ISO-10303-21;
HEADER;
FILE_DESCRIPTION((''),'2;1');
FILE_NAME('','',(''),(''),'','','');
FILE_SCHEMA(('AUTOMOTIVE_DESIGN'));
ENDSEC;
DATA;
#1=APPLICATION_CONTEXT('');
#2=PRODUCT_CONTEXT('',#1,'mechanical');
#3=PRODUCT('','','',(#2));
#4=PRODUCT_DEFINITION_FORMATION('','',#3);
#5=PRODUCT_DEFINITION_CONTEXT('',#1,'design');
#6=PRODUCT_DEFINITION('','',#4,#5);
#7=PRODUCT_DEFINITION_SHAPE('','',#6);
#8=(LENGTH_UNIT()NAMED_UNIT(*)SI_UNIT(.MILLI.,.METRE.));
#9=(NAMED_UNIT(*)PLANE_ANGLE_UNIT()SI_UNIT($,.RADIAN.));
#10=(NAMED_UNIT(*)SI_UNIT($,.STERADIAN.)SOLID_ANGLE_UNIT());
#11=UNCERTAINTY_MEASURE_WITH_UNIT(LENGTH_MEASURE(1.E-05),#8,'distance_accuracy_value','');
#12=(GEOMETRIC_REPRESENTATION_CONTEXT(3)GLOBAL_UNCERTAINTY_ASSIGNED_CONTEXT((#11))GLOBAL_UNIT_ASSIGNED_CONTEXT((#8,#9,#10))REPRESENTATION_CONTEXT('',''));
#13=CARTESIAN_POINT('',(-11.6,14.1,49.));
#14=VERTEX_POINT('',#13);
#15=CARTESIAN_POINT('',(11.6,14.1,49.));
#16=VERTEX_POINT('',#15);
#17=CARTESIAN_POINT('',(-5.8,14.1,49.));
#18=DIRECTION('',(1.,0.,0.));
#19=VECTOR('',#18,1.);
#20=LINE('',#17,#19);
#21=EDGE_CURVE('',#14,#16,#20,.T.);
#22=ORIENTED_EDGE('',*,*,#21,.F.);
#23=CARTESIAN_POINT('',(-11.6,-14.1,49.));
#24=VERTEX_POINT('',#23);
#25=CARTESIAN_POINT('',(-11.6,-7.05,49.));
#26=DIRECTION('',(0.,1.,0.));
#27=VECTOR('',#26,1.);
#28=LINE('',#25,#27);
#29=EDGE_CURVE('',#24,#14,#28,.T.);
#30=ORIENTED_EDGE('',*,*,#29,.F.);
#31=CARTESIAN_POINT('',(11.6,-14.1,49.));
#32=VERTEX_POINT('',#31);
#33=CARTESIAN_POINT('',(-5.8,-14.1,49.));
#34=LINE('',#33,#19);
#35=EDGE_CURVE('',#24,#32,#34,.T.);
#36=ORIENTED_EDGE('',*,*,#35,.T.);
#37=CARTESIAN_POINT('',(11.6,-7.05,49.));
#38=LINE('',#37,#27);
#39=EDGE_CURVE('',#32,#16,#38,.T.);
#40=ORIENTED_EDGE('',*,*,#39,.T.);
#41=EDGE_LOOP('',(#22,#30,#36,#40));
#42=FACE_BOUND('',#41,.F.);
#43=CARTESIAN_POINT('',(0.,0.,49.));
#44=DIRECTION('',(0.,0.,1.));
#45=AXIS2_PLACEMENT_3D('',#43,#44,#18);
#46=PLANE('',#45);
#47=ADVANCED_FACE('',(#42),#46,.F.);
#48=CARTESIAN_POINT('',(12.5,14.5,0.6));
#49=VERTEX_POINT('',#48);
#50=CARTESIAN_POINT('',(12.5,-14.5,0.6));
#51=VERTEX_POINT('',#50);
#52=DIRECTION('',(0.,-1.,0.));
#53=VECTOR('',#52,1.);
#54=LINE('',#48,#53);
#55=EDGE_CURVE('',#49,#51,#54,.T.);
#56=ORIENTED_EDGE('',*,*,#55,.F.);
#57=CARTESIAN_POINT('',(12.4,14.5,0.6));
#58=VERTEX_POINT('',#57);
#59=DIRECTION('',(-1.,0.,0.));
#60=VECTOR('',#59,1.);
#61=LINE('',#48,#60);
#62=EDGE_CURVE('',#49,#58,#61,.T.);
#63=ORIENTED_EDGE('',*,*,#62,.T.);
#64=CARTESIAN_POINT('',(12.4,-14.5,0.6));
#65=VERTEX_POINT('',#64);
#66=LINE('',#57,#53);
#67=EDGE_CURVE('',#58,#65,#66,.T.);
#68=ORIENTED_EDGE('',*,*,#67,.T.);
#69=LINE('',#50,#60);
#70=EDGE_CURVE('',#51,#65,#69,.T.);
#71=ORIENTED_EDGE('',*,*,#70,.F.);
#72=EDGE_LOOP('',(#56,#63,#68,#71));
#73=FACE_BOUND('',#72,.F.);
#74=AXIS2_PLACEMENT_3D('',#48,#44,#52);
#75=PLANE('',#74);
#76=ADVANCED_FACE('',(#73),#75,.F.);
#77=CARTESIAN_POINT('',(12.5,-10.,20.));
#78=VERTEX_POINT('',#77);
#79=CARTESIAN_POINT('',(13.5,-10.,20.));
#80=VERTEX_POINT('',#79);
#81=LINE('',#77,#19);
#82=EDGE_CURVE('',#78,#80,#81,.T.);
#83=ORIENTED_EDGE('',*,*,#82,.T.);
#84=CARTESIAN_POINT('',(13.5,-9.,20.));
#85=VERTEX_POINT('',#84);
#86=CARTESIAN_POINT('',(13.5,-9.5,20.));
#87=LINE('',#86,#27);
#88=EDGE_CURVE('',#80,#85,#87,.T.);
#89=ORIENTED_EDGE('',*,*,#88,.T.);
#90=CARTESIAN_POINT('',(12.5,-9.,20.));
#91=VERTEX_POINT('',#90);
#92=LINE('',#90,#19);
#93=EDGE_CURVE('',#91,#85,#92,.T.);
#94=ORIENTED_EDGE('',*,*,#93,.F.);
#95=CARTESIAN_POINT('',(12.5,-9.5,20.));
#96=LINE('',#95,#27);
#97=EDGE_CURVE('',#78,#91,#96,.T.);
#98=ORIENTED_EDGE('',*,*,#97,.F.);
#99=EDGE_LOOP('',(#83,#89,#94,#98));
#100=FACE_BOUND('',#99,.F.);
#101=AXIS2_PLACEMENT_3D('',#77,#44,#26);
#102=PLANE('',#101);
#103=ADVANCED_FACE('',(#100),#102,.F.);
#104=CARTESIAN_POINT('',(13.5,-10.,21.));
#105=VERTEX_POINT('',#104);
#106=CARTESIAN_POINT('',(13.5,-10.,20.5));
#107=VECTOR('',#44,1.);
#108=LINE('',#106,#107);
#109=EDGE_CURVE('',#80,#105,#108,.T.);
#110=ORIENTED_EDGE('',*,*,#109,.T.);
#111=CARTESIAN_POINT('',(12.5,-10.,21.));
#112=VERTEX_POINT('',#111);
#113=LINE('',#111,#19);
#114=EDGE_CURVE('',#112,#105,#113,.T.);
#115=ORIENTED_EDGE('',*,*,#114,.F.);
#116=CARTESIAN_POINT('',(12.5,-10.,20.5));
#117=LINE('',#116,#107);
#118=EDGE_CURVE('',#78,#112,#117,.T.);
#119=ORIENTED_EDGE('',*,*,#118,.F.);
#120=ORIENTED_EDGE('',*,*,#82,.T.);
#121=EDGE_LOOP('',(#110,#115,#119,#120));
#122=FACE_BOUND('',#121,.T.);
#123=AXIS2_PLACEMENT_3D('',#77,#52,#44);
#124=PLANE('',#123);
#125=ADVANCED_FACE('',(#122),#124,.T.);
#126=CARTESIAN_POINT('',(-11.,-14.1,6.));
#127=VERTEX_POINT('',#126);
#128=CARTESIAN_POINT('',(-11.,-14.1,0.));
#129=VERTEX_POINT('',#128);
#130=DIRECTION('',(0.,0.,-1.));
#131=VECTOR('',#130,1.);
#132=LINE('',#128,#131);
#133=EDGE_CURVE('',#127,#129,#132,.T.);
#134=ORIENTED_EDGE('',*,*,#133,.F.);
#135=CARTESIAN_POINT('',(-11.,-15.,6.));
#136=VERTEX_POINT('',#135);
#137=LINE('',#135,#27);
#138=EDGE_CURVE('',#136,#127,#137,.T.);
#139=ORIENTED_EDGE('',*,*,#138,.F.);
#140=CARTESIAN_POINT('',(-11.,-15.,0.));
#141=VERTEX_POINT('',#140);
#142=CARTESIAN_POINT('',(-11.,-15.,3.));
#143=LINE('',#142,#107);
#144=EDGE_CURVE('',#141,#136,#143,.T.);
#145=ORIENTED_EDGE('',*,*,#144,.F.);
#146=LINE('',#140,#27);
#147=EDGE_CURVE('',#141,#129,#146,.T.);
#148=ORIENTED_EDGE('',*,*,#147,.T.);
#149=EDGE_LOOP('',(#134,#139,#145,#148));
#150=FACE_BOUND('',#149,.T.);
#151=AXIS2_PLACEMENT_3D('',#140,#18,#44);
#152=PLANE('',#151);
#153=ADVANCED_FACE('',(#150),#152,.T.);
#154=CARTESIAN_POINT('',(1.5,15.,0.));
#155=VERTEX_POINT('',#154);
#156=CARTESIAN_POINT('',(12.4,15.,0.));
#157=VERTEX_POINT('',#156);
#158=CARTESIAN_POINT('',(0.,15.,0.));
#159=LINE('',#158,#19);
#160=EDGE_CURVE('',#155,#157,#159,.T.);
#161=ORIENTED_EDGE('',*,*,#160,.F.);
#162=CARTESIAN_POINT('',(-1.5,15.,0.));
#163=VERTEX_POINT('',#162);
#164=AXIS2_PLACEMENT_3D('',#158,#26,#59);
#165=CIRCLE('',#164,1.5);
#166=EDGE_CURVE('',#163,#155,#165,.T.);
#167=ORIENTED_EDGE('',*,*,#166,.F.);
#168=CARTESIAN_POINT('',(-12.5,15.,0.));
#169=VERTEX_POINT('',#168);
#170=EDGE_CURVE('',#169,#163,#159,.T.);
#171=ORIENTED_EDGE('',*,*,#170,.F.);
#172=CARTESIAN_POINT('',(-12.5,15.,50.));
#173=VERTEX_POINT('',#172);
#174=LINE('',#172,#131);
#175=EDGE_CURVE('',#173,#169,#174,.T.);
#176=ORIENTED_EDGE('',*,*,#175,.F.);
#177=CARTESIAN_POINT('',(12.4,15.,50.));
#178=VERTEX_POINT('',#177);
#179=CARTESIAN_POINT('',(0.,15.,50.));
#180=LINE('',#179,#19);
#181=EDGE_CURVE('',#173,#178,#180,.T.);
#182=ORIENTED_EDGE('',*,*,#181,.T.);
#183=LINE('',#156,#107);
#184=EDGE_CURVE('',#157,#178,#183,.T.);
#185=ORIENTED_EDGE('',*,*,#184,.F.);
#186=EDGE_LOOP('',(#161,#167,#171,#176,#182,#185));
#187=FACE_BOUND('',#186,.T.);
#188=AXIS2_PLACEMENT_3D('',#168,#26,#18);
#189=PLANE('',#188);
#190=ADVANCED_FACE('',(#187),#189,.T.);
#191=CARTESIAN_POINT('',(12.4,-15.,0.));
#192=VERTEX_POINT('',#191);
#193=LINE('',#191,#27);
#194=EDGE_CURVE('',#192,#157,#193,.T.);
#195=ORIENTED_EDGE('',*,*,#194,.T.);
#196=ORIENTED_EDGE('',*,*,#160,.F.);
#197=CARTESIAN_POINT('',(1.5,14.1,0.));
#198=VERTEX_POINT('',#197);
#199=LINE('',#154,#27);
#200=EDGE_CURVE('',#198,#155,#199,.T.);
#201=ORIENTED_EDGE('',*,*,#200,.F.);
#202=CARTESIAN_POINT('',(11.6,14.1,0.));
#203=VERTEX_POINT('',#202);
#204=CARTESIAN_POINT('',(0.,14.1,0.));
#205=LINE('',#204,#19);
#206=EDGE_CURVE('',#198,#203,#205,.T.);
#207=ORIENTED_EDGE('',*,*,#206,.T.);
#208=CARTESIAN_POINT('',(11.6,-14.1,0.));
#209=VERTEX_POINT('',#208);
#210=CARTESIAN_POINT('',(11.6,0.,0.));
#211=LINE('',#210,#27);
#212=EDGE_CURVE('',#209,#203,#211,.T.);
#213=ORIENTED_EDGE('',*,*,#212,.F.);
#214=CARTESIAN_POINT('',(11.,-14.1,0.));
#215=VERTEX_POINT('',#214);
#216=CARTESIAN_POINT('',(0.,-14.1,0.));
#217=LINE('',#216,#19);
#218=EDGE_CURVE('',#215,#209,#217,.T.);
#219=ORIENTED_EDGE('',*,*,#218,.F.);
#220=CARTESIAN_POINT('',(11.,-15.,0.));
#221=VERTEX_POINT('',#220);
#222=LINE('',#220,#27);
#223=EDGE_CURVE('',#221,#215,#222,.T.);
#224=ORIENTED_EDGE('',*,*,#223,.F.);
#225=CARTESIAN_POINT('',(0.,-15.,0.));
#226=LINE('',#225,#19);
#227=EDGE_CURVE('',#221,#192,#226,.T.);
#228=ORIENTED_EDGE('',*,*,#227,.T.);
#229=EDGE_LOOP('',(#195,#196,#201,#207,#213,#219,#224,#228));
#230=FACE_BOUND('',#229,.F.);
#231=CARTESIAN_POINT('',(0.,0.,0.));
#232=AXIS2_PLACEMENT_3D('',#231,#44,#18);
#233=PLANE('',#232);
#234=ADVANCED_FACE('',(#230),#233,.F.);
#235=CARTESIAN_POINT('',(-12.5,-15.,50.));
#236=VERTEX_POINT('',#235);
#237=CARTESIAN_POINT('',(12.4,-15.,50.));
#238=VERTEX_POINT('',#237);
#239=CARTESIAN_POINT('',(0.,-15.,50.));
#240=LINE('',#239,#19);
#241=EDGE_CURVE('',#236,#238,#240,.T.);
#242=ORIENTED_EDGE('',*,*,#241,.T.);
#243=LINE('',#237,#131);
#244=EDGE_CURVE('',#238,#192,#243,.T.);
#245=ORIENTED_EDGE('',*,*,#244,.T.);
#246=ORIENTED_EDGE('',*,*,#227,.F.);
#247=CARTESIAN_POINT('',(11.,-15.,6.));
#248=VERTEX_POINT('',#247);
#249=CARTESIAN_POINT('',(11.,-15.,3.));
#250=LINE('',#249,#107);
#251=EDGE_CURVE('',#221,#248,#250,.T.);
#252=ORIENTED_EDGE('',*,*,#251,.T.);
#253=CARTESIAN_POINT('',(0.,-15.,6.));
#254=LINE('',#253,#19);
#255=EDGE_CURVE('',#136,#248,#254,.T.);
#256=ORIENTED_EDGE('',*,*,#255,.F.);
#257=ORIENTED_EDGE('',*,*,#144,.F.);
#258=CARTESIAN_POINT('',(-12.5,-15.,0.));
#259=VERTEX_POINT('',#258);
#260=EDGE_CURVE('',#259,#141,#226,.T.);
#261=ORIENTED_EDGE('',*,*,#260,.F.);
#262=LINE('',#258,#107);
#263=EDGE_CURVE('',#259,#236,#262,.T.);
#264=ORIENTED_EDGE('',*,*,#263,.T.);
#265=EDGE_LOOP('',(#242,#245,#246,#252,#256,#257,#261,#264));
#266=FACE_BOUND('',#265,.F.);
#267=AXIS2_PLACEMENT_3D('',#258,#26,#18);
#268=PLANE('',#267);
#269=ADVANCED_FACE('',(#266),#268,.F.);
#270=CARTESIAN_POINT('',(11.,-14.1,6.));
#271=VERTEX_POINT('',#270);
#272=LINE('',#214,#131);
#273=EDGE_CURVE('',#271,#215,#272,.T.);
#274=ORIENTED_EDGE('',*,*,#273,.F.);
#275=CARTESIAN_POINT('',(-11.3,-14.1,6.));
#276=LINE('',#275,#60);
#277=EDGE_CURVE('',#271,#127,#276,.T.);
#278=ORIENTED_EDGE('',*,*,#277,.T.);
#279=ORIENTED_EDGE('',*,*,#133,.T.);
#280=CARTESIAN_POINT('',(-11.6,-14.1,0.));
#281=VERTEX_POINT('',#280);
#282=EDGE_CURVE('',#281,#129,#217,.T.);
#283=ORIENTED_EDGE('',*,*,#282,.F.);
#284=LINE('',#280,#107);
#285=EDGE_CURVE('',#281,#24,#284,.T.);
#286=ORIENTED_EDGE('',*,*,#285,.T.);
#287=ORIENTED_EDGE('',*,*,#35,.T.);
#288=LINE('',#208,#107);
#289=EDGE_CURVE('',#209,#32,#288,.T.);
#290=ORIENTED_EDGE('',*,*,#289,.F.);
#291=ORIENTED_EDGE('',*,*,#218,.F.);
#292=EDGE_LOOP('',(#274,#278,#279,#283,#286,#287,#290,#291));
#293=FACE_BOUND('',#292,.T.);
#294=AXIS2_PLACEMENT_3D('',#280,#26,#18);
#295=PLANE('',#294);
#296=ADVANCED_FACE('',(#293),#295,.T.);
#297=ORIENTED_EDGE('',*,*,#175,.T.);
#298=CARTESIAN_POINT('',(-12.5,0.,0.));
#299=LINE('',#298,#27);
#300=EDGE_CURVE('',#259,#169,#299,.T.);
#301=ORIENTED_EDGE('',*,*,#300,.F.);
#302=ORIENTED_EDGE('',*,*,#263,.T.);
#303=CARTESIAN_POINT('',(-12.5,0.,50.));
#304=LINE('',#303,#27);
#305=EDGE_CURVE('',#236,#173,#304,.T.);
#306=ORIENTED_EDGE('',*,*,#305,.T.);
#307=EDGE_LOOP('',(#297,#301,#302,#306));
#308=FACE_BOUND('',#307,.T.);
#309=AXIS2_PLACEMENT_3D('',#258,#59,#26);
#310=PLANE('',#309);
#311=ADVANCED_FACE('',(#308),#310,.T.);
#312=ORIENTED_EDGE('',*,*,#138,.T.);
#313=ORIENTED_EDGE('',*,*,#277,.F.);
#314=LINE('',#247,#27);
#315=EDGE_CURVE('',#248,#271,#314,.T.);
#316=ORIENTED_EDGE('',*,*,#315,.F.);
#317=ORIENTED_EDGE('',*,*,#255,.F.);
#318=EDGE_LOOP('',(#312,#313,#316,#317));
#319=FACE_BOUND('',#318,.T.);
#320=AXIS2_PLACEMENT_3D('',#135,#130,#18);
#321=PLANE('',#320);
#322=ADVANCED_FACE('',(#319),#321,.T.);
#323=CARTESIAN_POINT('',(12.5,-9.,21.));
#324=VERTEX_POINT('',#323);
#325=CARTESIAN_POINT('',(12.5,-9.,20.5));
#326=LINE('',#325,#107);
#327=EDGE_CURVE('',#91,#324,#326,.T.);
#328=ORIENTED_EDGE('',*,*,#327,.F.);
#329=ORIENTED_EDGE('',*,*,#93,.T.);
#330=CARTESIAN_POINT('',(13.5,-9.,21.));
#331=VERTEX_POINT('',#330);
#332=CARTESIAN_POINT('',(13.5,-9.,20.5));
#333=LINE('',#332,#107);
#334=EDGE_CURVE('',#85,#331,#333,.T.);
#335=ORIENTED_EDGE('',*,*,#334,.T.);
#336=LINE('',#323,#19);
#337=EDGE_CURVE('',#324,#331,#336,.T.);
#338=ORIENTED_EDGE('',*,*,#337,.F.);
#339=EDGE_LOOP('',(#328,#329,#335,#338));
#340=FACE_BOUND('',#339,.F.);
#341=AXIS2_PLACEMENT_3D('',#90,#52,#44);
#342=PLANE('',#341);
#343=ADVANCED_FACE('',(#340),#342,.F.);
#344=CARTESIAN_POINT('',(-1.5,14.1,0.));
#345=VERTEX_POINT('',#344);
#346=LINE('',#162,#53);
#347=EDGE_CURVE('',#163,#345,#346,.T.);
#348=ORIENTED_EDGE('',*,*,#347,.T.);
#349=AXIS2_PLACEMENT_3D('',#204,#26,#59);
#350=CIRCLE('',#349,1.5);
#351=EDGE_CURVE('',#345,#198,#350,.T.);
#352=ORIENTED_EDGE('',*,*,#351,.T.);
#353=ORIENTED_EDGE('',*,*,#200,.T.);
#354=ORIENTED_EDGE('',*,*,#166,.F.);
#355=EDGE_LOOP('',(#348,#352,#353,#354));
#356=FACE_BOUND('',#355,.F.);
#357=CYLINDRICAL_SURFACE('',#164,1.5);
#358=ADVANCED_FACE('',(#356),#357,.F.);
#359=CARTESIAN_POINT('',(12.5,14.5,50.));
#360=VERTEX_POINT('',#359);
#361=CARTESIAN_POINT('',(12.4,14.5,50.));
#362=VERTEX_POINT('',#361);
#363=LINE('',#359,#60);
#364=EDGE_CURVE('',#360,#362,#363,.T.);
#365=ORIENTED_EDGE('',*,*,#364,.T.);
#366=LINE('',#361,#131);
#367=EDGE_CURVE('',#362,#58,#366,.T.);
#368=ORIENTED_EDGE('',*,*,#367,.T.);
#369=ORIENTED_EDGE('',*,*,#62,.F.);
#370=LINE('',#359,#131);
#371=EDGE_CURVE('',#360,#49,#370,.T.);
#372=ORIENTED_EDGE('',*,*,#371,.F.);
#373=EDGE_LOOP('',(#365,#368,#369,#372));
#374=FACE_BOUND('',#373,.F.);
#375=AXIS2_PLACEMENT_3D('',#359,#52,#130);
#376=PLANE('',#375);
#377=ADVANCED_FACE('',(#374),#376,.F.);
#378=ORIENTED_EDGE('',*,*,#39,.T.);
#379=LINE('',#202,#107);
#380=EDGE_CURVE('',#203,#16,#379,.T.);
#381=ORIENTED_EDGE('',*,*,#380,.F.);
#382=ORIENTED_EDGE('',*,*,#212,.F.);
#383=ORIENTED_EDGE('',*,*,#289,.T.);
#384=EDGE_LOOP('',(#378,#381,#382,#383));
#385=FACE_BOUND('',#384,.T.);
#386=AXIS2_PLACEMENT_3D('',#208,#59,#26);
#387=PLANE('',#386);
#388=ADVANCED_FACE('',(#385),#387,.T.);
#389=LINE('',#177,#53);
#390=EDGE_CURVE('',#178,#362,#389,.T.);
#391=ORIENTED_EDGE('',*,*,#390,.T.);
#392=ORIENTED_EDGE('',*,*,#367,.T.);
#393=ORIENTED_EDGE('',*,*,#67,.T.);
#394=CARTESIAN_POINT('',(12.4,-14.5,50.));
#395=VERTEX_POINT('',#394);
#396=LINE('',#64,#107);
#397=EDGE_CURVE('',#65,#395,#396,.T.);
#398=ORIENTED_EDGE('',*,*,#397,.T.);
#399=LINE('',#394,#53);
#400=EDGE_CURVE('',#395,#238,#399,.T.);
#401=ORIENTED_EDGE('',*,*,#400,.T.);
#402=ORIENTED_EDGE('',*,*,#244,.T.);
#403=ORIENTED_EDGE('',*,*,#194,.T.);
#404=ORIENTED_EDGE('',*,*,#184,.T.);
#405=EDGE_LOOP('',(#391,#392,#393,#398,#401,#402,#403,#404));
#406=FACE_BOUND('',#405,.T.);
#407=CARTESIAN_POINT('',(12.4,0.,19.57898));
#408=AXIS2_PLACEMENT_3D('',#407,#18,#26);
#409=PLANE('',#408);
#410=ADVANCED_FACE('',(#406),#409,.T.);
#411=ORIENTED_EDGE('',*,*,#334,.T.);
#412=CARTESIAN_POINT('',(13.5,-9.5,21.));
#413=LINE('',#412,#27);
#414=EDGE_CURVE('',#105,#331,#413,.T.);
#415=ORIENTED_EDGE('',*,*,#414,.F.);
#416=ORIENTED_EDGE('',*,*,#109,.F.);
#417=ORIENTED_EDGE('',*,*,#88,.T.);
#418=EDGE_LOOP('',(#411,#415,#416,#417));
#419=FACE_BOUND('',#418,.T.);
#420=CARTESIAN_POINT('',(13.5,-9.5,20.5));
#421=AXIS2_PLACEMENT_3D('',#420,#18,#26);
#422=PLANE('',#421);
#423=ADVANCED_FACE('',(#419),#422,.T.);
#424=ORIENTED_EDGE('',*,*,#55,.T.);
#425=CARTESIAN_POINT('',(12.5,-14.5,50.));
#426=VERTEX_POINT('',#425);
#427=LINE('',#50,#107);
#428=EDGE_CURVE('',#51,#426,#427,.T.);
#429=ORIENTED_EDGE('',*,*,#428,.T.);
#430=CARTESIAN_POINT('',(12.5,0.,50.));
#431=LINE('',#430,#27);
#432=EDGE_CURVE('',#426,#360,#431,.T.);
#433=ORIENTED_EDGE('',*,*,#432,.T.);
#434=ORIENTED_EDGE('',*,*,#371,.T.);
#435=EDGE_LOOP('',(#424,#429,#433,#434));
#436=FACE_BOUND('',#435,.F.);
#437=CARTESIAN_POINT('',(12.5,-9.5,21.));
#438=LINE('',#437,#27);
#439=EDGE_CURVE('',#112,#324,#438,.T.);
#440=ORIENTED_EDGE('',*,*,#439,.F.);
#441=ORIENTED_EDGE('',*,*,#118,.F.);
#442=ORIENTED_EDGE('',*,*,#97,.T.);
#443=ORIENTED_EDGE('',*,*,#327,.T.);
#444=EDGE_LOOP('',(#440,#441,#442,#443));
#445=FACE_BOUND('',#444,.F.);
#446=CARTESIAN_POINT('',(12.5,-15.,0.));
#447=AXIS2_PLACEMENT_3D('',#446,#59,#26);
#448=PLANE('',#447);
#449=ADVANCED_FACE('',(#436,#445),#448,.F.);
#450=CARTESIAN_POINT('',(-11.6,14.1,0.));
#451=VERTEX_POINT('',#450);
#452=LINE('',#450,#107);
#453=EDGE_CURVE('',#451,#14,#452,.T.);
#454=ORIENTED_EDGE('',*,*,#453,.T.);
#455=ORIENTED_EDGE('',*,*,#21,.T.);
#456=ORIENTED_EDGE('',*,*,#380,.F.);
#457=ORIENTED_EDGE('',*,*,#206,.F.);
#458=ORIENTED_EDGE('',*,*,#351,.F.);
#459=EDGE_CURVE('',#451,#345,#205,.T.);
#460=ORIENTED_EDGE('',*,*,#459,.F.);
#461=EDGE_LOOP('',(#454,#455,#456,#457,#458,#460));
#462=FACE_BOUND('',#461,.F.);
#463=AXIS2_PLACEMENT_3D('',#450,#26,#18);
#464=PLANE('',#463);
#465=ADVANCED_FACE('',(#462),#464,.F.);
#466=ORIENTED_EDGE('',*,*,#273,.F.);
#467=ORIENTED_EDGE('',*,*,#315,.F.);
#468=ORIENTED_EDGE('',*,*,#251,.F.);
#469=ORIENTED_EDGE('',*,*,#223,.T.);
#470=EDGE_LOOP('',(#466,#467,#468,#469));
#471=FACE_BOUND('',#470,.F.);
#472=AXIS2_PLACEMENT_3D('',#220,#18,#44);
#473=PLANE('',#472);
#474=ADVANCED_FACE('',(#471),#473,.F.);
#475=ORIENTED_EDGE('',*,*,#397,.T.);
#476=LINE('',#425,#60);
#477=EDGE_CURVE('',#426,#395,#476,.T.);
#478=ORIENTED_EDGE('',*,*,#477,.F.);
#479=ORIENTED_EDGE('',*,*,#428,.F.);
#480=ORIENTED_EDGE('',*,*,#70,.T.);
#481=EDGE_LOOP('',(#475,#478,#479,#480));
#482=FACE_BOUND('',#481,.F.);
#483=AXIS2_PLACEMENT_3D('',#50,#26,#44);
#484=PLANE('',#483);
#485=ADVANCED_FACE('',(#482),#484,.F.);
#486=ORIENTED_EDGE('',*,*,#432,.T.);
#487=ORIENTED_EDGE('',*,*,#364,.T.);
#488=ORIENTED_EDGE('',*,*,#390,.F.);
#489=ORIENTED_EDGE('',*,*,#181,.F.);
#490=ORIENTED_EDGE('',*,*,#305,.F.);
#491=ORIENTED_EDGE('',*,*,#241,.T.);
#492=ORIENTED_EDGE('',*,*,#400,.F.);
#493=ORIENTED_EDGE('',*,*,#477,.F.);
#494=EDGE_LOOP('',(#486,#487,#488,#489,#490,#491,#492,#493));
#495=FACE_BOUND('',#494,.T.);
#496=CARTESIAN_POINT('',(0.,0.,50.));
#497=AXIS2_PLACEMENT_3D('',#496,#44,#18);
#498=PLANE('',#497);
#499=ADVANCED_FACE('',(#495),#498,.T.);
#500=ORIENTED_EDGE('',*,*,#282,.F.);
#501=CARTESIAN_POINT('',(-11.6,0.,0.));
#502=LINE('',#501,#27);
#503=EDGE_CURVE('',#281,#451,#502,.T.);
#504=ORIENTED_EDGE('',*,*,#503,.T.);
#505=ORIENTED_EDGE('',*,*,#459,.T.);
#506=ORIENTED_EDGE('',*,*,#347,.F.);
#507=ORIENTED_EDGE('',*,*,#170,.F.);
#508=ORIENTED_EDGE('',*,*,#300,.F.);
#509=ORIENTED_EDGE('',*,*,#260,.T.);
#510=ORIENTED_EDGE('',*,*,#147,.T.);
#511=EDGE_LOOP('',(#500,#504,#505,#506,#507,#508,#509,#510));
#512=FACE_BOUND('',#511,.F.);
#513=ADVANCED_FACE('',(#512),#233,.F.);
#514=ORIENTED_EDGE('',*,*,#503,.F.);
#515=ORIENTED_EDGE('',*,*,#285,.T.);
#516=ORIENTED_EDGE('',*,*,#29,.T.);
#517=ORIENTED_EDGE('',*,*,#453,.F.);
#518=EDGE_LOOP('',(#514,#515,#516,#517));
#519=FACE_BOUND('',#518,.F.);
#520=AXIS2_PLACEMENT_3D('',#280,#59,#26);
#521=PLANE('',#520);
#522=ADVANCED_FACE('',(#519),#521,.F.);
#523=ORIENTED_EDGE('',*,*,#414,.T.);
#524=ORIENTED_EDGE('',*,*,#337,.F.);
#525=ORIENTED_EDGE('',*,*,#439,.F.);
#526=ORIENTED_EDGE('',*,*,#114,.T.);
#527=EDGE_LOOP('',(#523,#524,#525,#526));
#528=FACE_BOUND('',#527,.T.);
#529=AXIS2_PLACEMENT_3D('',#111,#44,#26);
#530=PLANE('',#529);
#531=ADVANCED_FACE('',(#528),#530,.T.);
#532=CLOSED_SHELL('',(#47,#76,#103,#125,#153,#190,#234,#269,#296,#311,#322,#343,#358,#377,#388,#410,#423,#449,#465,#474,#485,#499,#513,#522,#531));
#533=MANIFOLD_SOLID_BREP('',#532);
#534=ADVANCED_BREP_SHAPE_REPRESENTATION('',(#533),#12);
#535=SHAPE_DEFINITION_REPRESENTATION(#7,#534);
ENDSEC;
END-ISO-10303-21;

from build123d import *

# Parameters (mm, degrees)
F0_W      = 25
F0_H      = 30
F0_W_2    = 23.2
F0_H_2    = 28.2
F1_DEPTH  = 50
F2_W      = 25
F2_H      = 30
F3_DEPTH  = 1
F4_W      = 1
F4_H      = 1
F5_DEPTH  = 1
F6_W      = 22
F6_H      = 6
F7_DEPTH  = 10
F8_R      = 1.5
F9_DEPTH  = 5
F11_DEPTH = 0.1


with BuildPart() as f1:
    # F0 (on Top) → F1 (new body)
    with BuildSketch(Plane.XY):
        Rectangle(F0_W, F0_H)
        Rectangle(F0_W_2, F0_H_2, mode=Mode.SUBTRACT)
    extrude(amount=F1_DEPTH)

    # F2 (on face) → F3 (join)
    with BuildSketch(Plane.XY.offset(50)):
        Rectangle(F2_W, F2_H)
    extrude(amount=-F3_DEPTH)

    # F4 (on face) → F5 (join)
    with BuildSketch(Plane.YZ.offset(12.5)):
        with Locations((-9.5, 20.5)):
            Rectangle(F4_W, F4_H)
    extrude(amount=F5_DEPTH)

    # F6 (on face) → F7 (cut)
    with BuildSketch(Plane.XZ.offset(15)):
        with Locations((0, 3)):
            Rectangle(F6_W, F6_H)
    extrude(amount=-F7_DEPTH, mode=Mode.SUBTRACT)

    # F8 (on face) → F9 (cut)
    with BuildSketch(Plane(origin=(0, 15, 0), x_dir=(-1, 0, 0), z_dir=(0, 1, 0))):
        Circle(F8_R)
    extrude(amount=-F9_DEPTH, mode=Mode.SUBTRACT)

    # F10 (on face) → F11 (cut)
    with BuildSketch(Plane.YZ.offset(12.5)):
        Polygon((14.5, 0.6), (-14.5, 0.6), (-14.5, 50), (-15, 50), (-15, 0), (15, 0), (15, 50), (14.5, 50), align=None)
    extrude(amount=-F11_DEPTH, mode=Mode.SUBTRACT)


solid = f1.part
